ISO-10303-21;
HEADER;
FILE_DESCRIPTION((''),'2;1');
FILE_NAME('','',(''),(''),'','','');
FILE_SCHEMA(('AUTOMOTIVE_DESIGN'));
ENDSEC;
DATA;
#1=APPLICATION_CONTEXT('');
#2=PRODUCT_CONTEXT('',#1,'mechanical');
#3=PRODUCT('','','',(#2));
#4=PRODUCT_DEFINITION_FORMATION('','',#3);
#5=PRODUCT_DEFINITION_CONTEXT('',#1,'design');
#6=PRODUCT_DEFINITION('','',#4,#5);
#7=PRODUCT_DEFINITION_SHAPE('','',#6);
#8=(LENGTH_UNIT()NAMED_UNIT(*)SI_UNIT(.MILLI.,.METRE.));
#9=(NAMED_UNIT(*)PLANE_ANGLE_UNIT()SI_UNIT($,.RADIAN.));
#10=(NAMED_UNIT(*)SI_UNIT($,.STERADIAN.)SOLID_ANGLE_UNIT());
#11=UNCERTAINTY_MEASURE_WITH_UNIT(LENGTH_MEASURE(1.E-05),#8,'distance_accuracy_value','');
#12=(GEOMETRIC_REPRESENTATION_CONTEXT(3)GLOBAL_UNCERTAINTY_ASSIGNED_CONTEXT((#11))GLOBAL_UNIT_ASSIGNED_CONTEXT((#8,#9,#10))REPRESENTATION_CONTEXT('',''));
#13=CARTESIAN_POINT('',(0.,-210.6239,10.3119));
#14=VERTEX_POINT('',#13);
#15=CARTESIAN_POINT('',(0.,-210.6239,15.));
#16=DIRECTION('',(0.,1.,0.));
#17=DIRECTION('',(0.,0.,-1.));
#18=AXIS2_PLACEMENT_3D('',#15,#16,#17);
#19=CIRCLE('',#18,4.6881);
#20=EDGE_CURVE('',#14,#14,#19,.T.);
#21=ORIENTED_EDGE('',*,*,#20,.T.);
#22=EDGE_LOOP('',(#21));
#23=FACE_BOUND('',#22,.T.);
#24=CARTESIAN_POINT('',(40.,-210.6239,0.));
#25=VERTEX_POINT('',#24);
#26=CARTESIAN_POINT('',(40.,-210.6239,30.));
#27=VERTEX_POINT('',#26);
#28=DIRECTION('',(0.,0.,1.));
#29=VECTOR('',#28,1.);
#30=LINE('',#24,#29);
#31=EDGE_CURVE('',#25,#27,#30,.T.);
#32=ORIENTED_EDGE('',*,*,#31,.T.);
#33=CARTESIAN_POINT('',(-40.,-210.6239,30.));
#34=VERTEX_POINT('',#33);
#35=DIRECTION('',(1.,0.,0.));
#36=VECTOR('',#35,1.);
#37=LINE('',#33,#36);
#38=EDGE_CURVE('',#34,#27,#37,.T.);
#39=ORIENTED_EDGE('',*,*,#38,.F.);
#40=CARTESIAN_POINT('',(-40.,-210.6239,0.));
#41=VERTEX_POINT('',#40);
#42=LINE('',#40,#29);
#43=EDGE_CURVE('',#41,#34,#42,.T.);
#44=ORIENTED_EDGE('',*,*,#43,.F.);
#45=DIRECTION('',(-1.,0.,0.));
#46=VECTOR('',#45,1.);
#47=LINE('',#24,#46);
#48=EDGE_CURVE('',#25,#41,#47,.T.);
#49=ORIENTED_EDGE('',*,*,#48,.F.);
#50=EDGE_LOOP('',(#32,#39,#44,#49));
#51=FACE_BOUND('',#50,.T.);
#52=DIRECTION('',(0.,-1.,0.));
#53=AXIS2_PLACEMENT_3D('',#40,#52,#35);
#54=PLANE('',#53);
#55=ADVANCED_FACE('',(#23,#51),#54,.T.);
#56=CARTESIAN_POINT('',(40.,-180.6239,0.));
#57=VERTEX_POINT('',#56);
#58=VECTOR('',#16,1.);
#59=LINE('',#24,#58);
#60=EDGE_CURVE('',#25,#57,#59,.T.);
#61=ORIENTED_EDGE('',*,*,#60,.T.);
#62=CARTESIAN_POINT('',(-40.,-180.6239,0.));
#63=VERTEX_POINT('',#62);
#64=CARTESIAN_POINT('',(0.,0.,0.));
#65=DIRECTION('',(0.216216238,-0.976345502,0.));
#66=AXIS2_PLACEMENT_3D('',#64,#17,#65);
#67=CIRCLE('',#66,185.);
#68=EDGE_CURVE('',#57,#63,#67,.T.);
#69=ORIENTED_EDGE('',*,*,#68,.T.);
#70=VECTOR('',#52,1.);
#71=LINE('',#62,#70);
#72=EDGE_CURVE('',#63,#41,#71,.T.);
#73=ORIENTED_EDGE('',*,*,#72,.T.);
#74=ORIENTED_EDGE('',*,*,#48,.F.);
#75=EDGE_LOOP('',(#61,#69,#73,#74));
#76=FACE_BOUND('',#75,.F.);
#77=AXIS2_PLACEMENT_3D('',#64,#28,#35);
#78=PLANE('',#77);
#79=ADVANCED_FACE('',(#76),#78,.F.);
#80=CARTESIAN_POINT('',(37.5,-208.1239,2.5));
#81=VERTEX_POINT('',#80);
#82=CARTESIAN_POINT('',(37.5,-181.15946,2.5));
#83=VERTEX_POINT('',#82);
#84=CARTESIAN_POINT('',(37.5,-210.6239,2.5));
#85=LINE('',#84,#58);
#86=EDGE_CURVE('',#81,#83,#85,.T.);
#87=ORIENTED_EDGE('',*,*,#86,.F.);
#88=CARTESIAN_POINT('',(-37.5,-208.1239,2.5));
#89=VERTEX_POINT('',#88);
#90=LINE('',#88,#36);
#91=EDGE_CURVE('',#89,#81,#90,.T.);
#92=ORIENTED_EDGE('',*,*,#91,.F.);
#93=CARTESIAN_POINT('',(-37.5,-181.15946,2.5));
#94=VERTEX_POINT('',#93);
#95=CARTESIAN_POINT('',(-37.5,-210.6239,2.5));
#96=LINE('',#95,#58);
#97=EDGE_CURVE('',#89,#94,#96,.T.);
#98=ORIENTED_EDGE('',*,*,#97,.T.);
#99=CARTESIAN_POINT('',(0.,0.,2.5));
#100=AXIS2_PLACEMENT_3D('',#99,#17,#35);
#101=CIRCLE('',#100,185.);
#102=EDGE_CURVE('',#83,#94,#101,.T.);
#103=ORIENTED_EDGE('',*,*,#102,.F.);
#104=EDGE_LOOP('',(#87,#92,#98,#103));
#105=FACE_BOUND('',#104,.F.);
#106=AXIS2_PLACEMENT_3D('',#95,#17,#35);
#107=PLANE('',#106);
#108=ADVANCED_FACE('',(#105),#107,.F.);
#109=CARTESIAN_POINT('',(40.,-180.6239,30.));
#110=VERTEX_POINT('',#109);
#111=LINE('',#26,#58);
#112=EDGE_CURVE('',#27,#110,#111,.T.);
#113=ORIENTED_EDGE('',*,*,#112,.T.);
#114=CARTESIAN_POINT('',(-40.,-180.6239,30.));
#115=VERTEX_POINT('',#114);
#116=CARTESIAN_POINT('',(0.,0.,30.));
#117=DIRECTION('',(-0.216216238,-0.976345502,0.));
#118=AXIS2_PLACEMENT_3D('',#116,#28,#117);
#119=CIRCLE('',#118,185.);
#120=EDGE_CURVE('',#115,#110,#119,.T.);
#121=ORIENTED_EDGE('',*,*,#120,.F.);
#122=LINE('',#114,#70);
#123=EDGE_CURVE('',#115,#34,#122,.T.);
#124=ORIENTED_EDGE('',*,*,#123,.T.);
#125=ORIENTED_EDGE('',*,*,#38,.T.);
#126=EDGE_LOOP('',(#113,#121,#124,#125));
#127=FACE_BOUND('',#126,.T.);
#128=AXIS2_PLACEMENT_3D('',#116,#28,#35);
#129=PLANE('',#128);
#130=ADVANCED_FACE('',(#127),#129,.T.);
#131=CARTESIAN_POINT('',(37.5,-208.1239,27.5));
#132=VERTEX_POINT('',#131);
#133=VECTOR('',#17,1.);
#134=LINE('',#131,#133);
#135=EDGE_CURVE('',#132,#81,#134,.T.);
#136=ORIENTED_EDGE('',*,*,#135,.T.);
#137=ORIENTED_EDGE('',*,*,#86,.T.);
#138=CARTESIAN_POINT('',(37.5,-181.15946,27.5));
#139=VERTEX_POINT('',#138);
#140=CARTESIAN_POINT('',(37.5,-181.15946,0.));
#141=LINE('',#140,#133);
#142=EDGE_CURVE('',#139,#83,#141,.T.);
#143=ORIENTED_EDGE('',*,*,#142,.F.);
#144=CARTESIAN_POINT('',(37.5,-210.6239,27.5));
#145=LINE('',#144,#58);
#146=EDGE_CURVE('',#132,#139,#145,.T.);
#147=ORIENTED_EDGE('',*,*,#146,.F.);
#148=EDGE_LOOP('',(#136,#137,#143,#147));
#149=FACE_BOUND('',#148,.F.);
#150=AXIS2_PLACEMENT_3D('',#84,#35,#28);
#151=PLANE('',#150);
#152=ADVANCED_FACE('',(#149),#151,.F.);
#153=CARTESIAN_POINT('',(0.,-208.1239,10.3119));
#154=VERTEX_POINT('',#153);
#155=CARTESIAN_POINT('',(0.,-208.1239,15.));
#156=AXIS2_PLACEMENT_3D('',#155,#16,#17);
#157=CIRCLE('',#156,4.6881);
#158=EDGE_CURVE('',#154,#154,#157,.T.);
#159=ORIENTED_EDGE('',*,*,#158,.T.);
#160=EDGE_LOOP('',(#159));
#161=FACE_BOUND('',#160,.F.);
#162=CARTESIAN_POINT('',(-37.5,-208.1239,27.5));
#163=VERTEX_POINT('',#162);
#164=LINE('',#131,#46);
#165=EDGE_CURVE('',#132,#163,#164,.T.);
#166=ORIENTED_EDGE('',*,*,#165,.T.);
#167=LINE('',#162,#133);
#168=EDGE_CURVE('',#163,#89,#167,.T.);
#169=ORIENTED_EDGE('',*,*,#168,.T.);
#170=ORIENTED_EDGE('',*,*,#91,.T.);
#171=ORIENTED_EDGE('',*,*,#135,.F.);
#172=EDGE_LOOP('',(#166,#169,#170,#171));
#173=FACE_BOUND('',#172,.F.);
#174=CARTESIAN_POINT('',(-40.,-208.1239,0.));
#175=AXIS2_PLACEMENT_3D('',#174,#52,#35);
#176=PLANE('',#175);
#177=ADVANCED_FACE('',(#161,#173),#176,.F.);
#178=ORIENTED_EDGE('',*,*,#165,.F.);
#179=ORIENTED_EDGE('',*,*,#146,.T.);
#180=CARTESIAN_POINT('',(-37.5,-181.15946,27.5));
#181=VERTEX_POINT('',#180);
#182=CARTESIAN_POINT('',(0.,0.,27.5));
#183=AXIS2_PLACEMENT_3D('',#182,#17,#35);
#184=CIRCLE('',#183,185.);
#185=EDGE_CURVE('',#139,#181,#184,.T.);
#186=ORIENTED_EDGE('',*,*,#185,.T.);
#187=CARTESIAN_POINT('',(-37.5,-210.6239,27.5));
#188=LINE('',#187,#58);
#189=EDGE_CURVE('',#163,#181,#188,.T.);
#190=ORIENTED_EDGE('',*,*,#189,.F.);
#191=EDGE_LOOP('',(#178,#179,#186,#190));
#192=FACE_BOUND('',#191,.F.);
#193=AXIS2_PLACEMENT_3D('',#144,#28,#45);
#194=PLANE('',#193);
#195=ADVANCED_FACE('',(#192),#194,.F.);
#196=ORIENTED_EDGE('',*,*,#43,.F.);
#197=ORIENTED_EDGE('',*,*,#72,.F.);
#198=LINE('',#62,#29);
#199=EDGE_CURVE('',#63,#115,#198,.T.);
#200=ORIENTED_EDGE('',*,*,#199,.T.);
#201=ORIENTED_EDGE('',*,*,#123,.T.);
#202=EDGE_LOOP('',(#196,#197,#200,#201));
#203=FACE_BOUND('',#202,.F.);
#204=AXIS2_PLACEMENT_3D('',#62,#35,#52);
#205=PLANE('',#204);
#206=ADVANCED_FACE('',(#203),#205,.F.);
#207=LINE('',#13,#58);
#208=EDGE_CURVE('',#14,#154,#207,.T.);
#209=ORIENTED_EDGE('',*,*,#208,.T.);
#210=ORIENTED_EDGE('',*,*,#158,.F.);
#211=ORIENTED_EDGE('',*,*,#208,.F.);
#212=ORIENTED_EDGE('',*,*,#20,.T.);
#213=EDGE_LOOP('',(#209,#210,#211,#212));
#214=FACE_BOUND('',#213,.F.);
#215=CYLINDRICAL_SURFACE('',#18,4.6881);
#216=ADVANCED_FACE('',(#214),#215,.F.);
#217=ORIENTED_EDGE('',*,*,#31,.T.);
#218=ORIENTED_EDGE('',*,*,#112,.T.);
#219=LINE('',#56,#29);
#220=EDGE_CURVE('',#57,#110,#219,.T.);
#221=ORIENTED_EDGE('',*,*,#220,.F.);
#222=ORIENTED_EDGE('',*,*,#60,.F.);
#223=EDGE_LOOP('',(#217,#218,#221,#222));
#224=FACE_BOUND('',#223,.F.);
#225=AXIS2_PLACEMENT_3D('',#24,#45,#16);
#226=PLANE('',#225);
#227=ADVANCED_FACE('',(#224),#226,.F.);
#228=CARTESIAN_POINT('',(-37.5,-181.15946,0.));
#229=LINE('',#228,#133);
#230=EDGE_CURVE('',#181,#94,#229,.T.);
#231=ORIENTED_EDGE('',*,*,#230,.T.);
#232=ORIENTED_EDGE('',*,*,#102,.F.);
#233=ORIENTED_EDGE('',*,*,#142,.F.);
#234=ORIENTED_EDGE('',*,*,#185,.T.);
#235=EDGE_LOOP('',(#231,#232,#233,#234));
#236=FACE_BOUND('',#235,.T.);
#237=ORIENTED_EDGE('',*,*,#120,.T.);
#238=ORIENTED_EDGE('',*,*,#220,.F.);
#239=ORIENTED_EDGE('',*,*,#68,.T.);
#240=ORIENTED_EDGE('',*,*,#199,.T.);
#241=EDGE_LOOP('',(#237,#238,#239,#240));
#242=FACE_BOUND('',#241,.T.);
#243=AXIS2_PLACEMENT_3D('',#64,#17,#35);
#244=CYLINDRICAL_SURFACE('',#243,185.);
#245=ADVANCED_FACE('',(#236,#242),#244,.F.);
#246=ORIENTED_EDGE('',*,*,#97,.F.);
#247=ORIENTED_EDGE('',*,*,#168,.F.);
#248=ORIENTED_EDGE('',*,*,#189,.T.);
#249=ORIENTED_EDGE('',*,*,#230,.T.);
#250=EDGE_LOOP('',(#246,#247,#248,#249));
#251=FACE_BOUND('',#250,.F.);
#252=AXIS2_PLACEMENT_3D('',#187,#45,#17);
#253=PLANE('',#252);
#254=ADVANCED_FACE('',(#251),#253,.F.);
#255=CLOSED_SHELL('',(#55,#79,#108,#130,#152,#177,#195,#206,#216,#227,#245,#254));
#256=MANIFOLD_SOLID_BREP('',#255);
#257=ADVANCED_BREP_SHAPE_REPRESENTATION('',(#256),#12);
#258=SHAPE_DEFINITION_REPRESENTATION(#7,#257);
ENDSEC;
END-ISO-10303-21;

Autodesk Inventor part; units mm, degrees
ref_plane "YZ Plane" through (0, 0, 0) normal (1, 0, 0) x (0, 1, 0)
ref_plane "XZ Plane" through (0, 0, 0) normal (0, 1, 0) x (-1, 0, 0)
ref_plane "XY Plane" through (0, 0, 0) normal (0, 0, 1) x (1, 0, 0)
sketch "Skizze1" plane through (0, 0, 0) normal (0, 0, 1) x (1, 0, 0)
  line L0 (-259, 0) -> (259, 0) projected
  line L1 (0, -289.7487) -> (0, 264.1248) projected
  circle A0 centre (0, 0) radius 185
  line L2 (-40, -180.6239) -> (40, -180.6239)
  line L3 (-40, -180.6239) -> (-40, -210.6239)
  line L4 (-40, -210.6239) -> (40, -210.6239)
  line L5 (40, -210.6239) -> (40, -180.6239)
  point P0 (0, -180.6239)
  dimension "d0" = 370
  dimension "d1" = 80
  dimension "d2" = 40
  dimension "d3" = 0
  dimension "d4" = 30
extrude "Extrusion1" add sketch "Skizze1" along normal blind 30 contours A0 L1 L4 L3 | A0 L5 L4 L1
sketch "Skizze2" plane through (-40, -210.6239, 0) normal (0, -1, 0) x (1, 0, 0)
  point P0 (40, 0)
sketch "Skizze3" plane through (-40, -210.6239, 0) normal (0, -1, 0) x (1, 0, 0)
  line L0 (2.5, 2.5) -> (77.5, 2.5)
  line L1 (77.5, 2.5) -> (77.5, 27.5)
  line L2 (77.5, 27.5) -> (2.5, 27.5)
  line L3 (2.5, 27.5) -> (2.5, 2.5)
  line L4 (0, 0) -> (0, 30) projected
  line L5 (0, 0) -> (80, 0) projected
  line L6 (0, 30) -> (80, 30) projected
  line L7 (80, 0) -> (80, 30) projected
  point P0 (40, 0)
  dimension "d7" = 2.5
  dimension "d8" = 2.5
  dimension "d9" = 2.5
  dimension "d10" = 2.5
extrude "Extrusion2" cut sketch "Skizze3" against normal blind 30 contours L3 L2 L1 L0
sketch "Skizze4" plane through (-40, -210.6239, 0) normal (0, -1, 0) x (1, 0, 0)
  line L0 (2.5, 27.5) -> (2.5, 2.5) projected
  line L1 (77.5, 27.5) -> (77.5, 2.5) projected
  line L2 (2.5, 2.5) -> (77.5, 2.5)
  line L3 (77.5, 2.5) -> (77.5, 27.5)
  line L4 (77.5, 27.5) -> (2.5, 27.5)
  line L5 (2.5, 27.5) -> (2.5, 2.5)
  point P0 (40, 0)
extrude "Extrusion3" add sketch "Skizze4" against normal blind 2.5
sketch "Skizze5" plane through (-40, -210.6239, 0) normal (0, -1, 0) x (1, 0, 0)
  line L0 (0, 0) -> (0, 30) projected
  point P0 (40, 0)
  point P1 (40, 15)
  dimension "d15" = 40
  dimension "d16" = 15
hole "Bohrung1" at (0, -210.6239, 15) direction (0, 1, 0) diameter 9.3762 end through all thread size "M11x1.5" class "6H" standard "ISO Metric profile"
properties part number "WasserAblauf1"
